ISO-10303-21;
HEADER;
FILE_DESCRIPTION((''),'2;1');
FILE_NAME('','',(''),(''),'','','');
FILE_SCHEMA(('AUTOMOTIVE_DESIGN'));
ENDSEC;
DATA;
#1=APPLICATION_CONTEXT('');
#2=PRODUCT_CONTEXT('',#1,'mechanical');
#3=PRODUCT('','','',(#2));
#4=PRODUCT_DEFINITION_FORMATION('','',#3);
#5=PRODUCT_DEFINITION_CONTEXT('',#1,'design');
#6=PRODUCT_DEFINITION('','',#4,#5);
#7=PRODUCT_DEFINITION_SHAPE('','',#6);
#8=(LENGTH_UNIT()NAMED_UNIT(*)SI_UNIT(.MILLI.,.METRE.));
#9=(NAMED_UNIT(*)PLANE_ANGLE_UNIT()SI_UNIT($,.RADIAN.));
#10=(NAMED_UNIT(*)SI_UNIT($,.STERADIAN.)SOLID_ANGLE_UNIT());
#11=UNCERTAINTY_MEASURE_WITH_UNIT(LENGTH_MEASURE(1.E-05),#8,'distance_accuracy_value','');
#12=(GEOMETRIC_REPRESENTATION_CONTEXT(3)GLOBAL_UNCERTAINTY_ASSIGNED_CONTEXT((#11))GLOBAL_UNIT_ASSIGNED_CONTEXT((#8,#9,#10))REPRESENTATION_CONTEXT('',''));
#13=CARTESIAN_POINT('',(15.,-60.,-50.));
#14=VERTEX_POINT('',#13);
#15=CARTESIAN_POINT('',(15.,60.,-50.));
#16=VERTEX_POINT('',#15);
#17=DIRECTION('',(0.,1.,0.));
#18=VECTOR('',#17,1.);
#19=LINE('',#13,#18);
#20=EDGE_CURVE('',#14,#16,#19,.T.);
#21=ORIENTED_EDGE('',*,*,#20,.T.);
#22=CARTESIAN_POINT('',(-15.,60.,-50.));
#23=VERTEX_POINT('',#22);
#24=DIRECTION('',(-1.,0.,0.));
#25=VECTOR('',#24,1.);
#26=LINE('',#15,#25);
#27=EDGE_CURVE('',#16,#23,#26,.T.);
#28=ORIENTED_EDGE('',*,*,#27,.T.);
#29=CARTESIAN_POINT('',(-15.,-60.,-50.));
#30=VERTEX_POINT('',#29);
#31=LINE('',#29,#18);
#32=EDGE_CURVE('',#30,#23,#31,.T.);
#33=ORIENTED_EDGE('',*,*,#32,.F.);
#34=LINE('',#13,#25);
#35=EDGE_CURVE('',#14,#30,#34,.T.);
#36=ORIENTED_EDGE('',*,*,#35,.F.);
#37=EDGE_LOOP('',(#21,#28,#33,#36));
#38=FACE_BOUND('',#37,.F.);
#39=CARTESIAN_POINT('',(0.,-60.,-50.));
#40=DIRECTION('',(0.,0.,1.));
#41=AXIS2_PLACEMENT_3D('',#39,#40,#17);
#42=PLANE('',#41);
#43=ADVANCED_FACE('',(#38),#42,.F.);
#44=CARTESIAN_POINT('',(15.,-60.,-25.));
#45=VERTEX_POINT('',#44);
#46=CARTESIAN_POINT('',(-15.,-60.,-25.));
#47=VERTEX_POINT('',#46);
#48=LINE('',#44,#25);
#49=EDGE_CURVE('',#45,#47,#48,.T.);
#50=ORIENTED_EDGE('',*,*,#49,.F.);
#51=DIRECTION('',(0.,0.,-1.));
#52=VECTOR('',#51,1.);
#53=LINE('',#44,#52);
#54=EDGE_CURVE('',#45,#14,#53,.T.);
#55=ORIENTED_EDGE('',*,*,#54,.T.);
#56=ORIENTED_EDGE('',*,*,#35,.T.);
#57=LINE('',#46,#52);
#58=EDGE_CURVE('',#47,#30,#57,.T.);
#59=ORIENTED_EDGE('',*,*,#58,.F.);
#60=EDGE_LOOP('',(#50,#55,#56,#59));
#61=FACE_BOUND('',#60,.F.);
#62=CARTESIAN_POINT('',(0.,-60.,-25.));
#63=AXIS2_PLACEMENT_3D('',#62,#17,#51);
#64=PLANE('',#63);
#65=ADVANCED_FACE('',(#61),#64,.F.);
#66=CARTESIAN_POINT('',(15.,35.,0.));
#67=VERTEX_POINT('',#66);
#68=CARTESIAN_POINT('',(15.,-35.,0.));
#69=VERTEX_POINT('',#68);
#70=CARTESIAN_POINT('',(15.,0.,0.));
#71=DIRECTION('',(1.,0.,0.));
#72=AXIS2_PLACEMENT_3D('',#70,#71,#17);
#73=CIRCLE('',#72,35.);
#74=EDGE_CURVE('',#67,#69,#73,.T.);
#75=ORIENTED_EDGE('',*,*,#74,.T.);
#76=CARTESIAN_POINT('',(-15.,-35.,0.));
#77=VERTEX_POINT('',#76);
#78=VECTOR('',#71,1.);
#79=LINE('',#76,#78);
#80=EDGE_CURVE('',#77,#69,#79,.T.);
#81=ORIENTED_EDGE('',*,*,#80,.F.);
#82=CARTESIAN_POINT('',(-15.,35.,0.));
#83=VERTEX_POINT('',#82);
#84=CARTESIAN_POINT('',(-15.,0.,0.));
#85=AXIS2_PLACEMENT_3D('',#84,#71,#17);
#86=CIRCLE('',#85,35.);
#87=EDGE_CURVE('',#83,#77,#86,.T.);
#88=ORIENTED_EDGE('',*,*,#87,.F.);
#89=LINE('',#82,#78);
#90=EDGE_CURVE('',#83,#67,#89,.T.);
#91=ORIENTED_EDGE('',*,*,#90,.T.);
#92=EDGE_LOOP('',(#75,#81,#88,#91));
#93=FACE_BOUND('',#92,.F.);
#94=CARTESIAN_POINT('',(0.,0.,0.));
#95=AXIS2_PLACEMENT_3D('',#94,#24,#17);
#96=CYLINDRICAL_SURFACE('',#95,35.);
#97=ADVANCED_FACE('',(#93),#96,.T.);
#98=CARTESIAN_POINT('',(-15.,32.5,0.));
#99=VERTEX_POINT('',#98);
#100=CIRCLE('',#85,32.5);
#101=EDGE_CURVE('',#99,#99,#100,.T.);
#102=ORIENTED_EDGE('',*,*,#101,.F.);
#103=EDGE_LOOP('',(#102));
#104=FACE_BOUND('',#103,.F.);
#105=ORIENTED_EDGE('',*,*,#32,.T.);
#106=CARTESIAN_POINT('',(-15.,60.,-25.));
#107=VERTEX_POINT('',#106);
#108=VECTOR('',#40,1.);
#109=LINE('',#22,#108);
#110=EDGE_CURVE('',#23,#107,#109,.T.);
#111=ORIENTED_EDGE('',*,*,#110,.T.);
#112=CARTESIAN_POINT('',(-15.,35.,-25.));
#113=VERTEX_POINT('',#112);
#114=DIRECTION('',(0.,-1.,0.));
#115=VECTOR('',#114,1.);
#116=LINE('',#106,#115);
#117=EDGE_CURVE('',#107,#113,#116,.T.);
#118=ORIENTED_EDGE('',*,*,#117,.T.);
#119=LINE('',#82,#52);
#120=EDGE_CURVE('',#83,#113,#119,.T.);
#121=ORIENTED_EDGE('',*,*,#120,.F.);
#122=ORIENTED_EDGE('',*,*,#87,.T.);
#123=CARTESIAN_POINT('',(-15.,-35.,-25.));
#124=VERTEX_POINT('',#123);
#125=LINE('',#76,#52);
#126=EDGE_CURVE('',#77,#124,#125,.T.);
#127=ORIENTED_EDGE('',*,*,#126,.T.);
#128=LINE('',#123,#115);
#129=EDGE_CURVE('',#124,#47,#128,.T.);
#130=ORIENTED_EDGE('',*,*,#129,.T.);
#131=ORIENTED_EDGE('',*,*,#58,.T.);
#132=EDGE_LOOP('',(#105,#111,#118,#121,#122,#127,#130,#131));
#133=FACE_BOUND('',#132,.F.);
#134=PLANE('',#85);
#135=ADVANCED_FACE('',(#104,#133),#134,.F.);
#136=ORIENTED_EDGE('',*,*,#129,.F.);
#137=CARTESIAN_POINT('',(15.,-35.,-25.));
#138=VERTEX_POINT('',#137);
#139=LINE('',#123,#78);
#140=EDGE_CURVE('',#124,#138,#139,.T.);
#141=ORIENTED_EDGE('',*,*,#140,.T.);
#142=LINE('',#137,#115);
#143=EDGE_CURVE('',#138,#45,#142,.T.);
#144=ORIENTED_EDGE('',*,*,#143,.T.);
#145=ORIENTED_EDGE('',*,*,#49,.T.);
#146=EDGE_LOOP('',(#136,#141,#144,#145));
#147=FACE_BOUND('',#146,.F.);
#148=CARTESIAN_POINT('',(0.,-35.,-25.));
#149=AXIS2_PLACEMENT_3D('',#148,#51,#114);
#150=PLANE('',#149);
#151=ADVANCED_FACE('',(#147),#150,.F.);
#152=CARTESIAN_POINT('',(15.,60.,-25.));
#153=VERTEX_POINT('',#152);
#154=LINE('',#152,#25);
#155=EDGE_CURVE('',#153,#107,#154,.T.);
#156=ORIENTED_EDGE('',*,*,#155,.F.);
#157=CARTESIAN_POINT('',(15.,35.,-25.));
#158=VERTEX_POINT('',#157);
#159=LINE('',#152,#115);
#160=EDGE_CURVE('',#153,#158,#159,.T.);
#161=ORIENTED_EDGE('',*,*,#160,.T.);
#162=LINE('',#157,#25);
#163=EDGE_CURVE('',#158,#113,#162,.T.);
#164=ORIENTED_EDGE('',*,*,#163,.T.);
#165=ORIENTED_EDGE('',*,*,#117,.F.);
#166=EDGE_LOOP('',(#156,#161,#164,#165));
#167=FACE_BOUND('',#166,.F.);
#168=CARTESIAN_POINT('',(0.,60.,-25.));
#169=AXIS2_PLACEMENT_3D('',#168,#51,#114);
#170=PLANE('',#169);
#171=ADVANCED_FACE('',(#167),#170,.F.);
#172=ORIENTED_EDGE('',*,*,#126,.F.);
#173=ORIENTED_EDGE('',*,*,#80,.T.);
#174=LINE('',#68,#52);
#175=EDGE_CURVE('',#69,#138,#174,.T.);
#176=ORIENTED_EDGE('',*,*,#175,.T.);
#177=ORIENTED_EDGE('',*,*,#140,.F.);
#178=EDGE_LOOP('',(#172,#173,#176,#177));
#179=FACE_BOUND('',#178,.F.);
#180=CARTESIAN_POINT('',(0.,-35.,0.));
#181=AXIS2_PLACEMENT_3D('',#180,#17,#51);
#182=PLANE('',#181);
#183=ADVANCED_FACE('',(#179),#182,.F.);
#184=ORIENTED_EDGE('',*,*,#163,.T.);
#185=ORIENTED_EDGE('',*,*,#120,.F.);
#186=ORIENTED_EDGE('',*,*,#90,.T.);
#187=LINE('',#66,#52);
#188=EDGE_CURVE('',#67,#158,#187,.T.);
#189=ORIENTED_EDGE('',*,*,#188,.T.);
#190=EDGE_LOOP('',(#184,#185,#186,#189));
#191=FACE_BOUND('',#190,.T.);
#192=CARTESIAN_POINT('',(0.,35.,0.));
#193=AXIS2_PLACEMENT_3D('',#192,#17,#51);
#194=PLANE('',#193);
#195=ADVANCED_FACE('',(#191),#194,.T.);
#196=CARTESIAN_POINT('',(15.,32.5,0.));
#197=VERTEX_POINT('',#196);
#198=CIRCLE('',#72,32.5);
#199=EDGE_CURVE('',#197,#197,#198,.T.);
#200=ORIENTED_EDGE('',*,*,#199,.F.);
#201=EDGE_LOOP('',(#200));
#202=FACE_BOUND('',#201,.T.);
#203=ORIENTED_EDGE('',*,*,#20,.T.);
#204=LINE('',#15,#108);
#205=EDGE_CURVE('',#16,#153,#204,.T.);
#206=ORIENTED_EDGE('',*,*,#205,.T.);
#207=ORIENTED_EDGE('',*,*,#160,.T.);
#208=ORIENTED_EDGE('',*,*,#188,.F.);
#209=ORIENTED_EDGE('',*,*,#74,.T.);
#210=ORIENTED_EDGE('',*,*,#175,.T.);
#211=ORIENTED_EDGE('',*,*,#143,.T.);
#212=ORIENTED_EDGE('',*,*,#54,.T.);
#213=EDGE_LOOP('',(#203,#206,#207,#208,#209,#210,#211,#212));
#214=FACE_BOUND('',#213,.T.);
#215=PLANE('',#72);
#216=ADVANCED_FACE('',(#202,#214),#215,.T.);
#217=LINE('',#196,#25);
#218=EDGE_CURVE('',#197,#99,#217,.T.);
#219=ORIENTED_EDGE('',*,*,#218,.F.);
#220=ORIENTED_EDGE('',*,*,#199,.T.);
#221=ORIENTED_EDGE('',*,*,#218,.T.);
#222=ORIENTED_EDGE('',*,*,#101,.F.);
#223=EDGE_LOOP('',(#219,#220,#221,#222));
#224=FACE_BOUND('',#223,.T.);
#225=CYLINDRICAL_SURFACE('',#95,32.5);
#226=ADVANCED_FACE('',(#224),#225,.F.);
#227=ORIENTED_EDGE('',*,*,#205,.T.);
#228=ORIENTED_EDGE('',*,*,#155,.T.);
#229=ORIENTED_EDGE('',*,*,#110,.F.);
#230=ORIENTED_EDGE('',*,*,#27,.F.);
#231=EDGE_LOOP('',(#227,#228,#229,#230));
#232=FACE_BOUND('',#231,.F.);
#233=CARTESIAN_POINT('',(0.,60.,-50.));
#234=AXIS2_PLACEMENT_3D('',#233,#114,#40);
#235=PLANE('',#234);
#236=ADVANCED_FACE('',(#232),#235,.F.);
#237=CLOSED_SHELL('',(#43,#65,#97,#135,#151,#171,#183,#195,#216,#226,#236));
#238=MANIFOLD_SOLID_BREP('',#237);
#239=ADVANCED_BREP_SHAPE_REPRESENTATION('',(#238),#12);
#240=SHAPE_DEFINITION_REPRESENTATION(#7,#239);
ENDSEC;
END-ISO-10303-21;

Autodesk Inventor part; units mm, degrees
ref_plane "YZ Plane" through (0, 0, 0) normal (1, 0, 0) x (0, 1, 0)
ref_plane "XZ Plane" through (0, 0, 0) normal (0, 1, 0) x (-1, 0, 0)
ref_plane "XY Plane" through (0, 0, 0) normal (0, 0, 1) x (1, 0, 0)
sketch "Boceto1" plane through (0, 0, 0) normal (1, 0, 0) x (0, 1, 0)
  circle A0 centre (0, 0) radius 32.5
  arc A1 (35, 0) -> (-35, 0) centre (0, 0) ccw
  line L0 (-35, -25) -> (-60, -25)
  line L1 (-60, -50) -> (60, -50)
  line L2 (60, -50) -> (60, -25)
  line L3 (60, -25) -> (35, -25)
  line L4 (-35, 0) -> (-35, -25)
  line L5 (35, 0) -> (35, -25)
  line L6 (-60, -25) -> (-60, -50)
  dimension "d0" = 65
  dimension "d1" = 70
  dimension "d2" = 25
  dimension "d3" = 25
  dimension "d4" = 25
  dimension "d5" = 120
  dimension "d6" = 25
  dimension "d7" = 25
extrude "Extrusión1" add sketch "Boceto1" along normal mid plane 30
properties part number "Abrazaderas tubo transparente" material "Latón, amarillo claro"
